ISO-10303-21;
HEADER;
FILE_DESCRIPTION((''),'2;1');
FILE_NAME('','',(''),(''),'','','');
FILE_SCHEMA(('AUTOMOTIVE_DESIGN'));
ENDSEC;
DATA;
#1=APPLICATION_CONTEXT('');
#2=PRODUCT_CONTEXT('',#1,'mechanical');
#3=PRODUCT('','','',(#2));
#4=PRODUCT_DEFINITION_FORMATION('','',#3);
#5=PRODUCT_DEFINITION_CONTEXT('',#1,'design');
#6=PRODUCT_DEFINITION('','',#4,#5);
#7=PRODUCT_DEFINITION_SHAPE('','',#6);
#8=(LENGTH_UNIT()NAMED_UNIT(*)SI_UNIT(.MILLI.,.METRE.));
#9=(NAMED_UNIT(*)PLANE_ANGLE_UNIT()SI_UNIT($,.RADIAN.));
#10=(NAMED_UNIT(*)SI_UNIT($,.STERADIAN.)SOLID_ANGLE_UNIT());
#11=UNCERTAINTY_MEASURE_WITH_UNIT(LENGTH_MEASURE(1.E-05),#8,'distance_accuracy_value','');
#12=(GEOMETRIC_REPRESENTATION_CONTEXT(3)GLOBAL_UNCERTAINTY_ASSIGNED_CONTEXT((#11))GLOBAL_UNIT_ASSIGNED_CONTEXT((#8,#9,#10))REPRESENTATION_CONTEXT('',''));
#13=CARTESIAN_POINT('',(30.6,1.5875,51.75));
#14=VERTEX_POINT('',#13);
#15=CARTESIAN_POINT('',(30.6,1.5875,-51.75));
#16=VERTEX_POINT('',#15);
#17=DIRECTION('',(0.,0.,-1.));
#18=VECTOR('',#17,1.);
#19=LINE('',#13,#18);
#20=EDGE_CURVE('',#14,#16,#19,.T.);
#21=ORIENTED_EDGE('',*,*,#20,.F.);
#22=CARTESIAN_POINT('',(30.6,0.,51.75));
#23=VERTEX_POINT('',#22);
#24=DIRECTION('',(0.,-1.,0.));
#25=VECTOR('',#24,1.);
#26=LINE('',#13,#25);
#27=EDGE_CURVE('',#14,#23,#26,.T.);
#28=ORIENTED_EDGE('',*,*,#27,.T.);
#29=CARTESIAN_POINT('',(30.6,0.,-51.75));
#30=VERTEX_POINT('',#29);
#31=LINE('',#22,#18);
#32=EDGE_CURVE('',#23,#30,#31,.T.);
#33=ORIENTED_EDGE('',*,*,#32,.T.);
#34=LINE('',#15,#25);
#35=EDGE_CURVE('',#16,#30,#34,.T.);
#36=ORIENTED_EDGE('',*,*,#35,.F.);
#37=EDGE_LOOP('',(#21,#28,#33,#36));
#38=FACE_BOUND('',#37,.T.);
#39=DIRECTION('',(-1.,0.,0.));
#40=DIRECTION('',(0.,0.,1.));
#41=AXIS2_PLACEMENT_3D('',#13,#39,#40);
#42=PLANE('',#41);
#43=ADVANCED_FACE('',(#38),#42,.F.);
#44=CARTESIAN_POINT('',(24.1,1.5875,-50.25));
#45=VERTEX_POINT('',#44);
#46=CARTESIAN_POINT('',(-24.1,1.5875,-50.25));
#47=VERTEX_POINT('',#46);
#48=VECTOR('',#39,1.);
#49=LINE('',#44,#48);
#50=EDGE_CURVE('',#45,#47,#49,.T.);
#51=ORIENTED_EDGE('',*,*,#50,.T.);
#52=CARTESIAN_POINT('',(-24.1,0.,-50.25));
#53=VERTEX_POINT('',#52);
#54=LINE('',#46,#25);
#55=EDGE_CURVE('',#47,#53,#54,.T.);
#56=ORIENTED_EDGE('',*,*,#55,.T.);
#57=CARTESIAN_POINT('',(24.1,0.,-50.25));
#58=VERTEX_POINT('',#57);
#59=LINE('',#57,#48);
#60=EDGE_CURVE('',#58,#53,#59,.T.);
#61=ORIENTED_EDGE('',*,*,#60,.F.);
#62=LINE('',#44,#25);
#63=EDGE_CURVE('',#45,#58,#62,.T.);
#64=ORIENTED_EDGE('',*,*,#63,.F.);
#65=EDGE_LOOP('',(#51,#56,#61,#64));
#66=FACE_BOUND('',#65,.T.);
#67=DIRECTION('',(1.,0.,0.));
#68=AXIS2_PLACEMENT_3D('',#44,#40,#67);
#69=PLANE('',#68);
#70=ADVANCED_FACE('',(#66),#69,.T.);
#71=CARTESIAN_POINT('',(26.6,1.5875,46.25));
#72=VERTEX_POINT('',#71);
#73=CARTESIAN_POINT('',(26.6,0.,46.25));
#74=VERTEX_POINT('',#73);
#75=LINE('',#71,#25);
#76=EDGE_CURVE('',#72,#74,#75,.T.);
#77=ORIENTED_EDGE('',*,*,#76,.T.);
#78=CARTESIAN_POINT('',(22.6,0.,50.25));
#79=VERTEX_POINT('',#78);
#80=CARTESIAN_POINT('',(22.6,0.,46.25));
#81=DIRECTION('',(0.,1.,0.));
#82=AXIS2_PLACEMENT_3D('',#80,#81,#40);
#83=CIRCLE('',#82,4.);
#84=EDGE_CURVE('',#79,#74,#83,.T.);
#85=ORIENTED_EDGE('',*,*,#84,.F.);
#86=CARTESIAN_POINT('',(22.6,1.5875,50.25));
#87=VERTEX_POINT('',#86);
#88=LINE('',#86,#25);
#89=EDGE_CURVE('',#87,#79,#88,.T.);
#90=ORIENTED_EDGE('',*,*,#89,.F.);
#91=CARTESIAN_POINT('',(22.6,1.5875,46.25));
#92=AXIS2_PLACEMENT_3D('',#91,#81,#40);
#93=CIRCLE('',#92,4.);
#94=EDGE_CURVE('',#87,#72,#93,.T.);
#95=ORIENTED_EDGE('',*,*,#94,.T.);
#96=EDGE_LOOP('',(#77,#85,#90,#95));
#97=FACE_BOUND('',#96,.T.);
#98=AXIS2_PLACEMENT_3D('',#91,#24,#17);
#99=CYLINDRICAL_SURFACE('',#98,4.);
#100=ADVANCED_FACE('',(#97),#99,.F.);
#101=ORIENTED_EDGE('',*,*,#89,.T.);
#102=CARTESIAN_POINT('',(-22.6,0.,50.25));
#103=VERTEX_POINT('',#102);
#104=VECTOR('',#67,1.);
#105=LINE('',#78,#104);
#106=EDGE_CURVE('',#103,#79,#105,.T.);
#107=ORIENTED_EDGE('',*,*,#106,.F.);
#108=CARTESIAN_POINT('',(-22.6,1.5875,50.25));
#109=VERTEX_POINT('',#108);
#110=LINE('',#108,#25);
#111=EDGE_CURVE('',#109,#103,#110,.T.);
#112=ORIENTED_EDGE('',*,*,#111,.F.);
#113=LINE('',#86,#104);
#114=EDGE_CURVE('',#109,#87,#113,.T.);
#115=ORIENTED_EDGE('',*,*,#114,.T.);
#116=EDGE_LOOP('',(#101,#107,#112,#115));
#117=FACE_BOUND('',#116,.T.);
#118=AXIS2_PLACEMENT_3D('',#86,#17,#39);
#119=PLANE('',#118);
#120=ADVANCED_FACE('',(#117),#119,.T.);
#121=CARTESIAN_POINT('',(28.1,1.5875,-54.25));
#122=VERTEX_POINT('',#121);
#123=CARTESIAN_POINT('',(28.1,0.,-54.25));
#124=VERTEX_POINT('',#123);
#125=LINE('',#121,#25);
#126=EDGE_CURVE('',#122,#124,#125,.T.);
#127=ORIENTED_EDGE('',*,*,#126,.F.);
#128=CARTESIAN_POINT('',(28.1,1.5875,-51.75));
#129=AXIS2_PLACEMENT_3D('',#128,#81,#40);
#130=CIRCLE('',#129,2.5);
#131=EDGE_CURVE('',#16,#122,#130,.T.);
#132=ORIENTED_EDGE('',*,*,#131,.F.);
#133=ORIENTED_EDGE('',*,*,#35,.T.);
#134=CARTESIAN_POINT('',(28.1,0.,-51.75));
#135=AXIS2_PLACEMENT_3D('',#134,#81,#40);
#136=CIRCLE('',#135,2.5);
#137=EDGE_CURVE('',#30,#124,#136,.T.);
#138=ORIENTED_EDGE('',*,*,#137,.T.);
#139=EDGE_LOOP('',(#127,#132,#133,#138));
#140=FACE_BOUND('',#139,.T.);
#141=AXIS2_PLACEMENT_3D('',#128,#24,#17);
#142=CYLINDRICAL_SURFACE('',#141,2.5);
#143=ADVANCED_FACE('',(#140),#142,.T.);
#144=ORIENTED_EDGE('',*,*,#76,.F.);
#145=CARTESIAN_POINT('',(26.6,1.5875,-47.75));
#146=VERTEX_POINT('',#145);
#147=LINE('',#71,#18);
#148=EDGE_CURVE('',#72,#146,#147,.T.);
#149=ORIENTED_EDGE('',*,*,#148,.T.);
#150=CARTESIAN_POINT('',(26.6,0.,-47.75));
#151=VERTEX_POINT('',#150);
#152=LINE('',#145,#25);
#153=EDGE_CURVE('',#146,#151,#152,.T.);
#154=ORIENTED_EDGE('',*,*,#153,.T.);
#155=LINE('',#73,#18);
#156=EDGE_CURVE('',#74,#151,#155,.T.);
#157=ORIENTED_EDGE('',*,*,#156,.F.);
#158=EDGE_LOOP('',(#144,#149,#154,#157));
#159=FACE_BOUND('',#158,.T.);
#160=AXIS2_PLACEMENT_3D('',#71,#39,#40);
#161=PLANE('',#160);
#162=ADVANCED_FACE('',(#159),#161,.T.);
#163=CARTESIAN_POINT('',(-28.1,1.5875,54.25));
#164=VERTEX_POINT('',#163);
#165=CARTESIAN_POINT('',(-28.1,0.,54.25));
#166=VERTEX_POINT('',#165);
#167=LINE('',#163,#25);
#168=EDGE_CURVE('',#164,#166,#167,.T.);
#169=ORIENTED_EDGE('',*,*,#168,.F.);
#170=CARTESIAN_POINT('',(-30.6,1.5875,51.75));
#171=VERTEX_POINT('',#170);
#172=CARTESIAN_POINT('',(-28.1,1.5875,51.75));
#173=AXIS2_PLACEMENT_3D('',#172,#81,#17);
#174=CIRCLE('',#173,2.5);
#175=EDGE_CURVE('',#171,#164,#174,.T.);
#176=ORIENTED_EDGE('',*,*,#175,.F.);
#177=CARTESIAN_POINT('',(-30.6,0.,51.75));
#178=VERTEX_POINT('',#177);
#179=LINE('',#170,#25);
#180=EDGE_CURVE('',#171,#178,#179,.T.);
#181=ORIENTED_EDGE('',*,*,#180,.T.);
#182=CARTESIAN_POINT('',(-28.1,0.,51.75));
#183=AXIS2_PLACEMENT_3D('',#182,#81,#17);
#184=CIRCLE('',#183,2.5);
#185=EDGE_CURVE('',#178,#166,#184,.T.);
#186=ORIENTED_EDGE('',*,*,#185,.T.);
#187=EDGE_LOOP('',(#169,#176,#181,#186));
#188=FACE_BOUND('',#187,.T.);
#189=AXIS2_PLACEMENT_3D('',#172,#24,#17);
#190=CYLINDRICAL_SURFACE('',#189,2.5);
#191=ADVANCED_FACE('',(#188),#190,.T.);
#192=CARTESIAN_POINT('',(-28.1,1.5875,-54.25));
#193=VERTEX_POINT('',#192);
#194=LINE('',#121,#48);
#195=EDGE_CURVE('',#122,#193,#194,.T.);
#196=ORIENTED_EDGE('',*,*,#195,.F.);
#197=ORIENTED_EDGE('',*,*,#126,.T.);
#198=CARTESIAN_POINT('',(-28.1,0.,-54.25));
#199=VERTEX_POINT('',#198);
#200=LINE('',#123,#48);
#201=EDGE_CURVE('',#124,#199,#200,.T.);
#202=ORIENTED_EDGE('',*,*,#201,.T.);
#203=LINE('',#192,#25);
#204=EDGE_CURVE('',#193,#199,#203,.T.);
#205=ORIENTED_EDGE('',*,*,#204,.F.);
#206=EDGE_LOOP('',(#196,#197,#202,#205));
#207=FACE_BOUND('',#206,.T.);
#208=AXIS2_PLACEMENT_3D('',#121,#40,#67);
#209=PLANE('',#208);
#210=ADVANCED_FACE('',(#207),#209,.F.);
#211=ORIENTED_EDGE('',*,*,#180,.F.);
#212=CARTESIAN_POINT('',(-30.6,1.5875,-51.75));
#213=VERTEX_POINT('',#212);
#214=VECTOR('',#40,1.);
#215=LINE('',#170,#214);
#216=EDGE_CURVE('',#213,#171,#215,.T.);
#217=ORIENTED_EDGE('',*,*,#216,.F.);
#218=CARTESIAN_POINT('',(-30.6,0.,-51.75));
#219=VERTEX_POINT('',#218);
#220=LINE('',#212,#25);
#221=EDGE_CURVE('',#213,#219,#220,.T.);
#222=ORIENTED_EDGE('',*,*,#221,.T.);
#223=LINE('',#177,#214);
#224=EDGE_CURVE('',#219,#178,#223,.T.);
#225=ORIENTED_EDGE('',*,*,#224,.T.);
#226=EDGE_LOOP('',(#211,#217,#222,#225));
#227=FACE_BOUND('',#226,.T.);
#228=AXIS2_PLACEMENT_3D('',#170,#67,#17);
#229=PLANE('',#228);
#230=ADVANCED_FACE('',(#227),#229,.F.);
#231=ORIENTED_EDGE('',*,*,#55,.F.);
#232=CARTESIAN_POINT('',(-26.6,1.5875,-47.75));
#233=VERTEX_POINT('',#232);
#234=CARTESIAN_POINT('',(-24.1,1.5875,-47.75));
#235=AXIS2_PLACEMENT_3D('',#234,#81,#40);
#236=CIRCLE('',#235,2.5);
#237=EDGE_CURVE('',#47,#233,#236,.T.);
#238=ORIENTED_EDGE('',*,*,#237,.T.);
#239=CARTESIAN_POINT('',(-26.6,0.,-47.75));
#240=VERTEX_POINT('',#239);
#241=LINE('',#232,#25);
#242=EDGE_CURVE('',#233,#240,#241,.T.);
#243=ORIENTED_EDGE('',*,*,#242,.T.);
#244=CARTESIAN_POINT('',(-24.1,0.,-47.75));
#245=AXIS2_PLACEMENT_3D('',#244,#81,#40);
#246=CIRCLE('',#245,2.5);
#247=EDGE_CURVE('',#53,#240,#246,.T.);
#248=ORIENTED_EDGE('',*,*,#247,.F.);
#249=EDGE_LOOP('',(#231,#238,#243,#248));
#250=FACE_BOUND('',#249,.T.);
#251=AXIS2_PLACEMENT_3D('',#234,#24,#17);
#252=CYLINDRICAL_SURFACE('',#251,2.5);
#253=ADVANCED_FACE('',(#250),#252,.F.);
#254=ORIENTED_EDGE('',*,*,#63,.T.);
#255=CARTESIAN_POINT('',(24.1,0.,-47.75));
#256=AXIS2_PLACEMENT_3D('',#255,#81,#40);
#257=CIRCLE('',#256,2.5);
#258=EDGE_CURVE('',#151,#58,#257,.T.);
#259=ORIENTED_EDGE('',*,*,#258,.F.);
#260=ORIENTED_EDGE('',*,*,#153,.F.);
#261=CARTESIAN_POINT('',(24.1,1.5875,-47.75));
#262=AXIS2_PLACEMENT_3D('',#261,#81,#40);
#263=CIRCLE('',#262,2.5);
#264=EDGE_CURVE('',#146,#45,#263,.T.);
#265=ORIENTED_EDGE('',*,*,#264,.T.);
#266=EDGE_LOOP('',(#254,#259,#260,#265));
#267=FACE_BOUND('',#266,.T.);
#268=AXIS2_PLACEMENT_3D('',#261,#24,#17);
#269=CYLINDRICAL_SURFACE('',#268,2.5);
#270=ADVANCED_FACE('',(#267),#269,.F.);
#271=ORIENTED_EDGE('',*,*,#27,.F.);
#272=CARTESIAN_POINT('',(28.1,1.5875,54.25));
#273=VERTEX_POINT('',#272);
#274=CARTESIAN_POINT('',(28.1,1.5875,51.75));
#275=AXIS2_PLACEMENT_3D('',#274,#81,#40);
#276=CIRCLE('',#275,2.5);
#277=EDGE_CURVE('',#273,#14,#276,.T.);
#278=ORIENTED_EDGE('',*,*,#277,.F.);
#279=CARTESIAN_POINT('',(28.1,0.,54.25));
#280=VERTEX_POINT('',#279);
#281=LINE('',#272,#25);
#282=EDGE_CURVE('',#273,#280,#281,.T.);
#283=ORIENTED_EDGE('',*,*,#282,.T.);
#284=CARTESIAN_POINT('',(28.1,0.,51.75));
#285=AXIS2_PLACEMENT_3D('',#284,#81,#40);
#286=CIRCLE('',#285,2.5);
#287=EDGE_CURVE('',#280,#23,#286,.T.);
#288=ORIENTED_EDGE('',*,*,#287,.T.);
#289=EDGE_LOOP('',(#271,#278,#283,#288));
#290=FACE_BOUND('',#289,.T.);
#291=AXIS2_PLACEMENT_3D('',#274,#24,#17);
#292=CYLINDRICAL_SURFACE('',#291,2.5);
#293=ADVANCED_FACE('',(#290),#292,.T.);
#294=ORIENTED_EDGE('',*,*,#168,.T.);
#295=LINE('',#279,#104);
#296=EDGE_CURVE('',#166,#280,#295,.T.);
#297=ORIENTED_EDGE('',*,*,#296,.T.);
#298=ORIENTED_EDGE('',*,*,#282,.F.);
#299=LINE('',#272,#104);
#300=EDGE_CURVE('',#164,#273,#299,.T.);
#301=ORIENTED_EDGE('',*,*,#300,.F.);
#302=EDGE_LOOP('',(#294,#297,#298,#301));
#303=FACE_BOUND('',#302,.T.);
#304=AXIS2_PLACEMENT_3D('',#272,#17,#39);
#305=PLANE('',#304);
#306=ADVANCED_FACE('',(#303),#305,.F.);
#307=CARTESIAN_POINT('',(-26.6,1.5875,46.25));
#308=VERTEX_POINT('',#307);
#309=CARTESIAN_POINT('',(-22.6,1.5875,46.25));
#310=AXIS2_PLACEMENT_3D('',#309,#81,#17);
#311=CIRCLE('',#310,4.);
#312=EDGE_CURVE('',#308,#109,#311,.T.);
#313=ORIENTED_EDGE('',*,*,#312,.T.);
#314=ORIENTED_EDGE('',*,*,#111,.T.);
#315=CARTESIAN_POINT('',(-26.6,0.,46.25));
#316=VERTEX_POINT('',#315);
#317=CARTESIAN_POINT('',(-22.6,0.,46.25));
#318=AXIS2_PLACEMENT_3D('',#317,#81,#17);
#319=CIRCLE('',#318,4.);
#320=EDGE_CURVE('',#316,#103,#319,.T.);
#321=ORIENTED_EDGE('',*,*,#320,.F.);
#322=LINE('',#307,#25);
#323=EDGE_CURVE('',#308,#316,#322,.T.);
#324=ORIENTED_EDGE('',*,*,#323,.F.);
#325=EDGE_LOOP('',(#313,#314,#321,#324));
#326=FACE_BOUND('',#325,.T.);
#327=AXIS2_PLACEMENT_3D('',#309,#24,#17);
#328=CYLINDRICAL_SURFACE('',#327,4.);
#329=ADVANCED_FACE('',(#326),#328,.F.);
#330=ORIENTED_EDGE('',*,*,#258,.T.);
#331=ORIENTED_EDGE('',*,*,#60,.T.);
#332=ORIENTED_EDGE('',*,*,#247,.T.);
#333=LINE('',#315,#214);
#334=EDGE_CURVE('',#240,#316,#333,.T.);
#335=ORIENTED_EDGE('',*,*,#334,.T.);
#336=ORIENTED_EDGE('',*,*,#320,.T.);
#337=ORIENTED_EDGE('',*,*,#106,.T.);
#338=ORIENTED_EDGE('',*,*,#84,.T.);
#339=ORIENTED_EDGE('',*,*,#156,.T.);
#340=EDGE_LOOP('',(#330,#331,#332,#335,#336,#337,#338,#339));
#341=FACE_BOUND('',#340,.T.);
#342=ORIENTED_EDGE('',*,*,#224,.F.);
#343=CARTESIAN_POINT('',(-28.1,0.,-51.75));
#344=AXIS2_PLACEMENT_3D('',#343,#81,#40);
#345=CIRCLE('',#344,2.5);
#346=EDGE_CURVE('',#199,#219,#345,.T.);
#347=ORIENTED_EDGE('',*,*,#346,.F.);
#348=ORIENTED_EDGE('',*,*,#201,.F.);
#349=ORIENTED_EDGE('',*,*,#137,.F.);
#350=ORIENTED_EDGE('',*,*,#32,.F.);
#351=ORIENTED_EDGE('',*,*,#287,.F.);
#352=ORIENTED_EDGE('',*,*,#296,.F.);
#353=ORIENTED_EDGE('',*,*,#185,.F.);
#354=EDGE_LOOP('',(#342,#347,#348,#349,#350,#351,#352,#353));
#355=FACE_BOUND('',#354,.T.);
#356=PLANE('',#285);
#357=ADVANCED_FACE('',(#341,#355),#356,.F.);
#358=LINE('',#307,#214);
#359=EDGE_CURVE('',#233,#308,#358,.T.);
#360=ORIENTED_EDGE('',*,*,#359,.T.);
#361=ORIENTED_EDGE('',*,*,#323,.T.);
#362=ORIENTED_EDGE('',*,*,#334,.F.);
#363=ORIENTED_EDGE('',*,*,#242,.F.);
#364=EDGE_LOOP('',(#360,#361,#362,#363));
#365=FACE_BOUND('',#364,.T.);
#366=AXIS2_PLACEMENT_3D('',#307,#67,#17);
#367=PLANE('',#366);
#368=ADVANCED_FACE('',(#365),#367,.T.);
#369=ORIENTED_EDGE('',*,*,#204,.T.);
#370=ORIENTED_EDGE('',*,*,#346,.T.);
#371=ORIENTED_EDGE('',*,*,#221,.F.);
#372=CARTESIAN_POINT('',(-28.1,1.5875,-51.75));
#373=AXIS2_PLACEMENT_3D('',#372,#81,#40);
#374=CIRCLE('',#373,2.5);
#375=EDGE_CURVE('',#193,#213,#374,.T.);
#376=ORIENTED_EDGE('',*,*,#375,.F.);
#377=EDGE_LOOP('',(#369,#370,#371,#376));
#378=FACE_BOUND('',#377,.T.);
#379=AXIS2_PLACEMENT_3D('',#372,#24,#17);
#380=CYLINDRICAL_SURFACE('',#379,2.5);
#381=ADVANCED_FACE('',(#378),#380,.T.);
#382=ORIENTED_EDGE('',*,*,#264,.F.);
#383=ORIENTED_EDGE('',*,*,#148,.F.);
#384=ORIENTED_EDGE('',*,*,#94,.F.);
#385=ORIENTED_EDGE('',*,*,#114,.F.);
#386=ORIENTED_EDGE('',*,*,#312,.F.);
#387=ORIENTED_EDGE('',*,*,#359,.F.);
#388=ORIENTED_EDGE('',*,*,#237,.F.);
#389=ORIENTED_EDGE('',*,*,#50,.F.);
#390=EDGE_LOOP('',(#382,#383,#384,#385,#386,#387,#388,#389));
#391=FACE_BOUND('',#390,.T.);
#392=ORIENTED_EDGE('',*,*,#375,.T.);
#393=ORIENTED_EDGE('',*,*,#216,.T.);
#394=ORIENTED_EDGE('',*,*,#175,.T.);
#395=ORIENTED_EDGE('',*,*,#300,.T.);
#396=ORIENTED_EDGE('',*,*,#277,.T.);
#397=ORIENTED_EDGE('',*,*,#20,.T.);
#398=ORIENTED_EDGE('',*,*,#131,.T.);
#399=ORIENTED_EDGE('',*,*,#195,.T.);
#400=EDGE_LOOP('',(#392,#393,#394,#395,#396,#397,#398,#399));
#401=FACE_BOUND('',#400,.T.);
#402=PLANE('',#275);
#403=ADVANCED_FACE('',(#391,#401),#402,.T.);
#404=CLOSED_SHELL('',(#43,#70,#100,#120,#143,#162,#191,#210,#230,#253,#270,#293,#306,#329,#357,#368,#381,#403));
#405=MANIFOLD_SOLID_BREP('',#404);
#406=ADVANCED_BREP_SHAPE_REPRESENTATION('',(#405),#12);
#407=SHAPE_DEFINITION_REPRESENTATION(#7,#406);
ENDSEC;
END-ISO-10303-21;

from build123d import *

# Parameters (mm, degrees)
BOSS_EXTRUDE1_DEPTH = 1.5875


with BuildPart() as part:
    # Sketch1 → Boss-Extrude1 (new body)
    with BuildSketch(Plane(origin=(0, 0, 0), x_dir=(1, 0, 0), z_dir=(0, 1, 0))):
        with BuildLine():
            Line((28.1, -54.25), (-28.1, -54.25))
            ThreePointArc((-28.1, -54.25), (-29.867766953, -53.517766953), (-30.6, -51.75))
            Line((-30.6, -51.75), (-30.6, 51.75))
            ThreePointArc((-30.6, 51.75), (-29.867766953, 53.517766953), (-28.1, 54.25))
            Line((-28.1, 54.25), (28.1, 54.25))
            ThreePointArc((28.1, 54.25), (29.867766953, 53.517766953), (30.6, 51.75))
            Line((30.6, 51.75), (30.6, -51.75))
            ThreePointArc((30.6, -51.75), (29.867766953, -53.517766953), (28.1, -54.25))
        make_face()
        with BuildLine():
            Line((22.6, -50.25), (-22.6, -50.25))
            ThreePointArc((-22.6, -50.25), (-25.428427125, -49.078427125), (-26.6, -46.25))
            Line((-26.6, -46.25), (-26.6, 47.75))
            ThreePointArc((-26.6, 47.75), (-25.867766953, 49.517766953), (-24.1, 50.25))
            Line((-24.1, 50.25), (24.1, 50.25))
            ThreePointArc((24.1, 50.25), (25.867766953, 49.517766953), (26.6, 47.75))
            Line((26.6, 47.75), (26.6, -46.25))
            ThreePointArc((26.6, -46.25), (25.428427125, -49.078427125), (22.6, -50.25))
        make_face(mode=Mode.SUBTRACT)
    extrude(amount=BOSS_EXTRUDE1_DEPTH)


solid = part.part
